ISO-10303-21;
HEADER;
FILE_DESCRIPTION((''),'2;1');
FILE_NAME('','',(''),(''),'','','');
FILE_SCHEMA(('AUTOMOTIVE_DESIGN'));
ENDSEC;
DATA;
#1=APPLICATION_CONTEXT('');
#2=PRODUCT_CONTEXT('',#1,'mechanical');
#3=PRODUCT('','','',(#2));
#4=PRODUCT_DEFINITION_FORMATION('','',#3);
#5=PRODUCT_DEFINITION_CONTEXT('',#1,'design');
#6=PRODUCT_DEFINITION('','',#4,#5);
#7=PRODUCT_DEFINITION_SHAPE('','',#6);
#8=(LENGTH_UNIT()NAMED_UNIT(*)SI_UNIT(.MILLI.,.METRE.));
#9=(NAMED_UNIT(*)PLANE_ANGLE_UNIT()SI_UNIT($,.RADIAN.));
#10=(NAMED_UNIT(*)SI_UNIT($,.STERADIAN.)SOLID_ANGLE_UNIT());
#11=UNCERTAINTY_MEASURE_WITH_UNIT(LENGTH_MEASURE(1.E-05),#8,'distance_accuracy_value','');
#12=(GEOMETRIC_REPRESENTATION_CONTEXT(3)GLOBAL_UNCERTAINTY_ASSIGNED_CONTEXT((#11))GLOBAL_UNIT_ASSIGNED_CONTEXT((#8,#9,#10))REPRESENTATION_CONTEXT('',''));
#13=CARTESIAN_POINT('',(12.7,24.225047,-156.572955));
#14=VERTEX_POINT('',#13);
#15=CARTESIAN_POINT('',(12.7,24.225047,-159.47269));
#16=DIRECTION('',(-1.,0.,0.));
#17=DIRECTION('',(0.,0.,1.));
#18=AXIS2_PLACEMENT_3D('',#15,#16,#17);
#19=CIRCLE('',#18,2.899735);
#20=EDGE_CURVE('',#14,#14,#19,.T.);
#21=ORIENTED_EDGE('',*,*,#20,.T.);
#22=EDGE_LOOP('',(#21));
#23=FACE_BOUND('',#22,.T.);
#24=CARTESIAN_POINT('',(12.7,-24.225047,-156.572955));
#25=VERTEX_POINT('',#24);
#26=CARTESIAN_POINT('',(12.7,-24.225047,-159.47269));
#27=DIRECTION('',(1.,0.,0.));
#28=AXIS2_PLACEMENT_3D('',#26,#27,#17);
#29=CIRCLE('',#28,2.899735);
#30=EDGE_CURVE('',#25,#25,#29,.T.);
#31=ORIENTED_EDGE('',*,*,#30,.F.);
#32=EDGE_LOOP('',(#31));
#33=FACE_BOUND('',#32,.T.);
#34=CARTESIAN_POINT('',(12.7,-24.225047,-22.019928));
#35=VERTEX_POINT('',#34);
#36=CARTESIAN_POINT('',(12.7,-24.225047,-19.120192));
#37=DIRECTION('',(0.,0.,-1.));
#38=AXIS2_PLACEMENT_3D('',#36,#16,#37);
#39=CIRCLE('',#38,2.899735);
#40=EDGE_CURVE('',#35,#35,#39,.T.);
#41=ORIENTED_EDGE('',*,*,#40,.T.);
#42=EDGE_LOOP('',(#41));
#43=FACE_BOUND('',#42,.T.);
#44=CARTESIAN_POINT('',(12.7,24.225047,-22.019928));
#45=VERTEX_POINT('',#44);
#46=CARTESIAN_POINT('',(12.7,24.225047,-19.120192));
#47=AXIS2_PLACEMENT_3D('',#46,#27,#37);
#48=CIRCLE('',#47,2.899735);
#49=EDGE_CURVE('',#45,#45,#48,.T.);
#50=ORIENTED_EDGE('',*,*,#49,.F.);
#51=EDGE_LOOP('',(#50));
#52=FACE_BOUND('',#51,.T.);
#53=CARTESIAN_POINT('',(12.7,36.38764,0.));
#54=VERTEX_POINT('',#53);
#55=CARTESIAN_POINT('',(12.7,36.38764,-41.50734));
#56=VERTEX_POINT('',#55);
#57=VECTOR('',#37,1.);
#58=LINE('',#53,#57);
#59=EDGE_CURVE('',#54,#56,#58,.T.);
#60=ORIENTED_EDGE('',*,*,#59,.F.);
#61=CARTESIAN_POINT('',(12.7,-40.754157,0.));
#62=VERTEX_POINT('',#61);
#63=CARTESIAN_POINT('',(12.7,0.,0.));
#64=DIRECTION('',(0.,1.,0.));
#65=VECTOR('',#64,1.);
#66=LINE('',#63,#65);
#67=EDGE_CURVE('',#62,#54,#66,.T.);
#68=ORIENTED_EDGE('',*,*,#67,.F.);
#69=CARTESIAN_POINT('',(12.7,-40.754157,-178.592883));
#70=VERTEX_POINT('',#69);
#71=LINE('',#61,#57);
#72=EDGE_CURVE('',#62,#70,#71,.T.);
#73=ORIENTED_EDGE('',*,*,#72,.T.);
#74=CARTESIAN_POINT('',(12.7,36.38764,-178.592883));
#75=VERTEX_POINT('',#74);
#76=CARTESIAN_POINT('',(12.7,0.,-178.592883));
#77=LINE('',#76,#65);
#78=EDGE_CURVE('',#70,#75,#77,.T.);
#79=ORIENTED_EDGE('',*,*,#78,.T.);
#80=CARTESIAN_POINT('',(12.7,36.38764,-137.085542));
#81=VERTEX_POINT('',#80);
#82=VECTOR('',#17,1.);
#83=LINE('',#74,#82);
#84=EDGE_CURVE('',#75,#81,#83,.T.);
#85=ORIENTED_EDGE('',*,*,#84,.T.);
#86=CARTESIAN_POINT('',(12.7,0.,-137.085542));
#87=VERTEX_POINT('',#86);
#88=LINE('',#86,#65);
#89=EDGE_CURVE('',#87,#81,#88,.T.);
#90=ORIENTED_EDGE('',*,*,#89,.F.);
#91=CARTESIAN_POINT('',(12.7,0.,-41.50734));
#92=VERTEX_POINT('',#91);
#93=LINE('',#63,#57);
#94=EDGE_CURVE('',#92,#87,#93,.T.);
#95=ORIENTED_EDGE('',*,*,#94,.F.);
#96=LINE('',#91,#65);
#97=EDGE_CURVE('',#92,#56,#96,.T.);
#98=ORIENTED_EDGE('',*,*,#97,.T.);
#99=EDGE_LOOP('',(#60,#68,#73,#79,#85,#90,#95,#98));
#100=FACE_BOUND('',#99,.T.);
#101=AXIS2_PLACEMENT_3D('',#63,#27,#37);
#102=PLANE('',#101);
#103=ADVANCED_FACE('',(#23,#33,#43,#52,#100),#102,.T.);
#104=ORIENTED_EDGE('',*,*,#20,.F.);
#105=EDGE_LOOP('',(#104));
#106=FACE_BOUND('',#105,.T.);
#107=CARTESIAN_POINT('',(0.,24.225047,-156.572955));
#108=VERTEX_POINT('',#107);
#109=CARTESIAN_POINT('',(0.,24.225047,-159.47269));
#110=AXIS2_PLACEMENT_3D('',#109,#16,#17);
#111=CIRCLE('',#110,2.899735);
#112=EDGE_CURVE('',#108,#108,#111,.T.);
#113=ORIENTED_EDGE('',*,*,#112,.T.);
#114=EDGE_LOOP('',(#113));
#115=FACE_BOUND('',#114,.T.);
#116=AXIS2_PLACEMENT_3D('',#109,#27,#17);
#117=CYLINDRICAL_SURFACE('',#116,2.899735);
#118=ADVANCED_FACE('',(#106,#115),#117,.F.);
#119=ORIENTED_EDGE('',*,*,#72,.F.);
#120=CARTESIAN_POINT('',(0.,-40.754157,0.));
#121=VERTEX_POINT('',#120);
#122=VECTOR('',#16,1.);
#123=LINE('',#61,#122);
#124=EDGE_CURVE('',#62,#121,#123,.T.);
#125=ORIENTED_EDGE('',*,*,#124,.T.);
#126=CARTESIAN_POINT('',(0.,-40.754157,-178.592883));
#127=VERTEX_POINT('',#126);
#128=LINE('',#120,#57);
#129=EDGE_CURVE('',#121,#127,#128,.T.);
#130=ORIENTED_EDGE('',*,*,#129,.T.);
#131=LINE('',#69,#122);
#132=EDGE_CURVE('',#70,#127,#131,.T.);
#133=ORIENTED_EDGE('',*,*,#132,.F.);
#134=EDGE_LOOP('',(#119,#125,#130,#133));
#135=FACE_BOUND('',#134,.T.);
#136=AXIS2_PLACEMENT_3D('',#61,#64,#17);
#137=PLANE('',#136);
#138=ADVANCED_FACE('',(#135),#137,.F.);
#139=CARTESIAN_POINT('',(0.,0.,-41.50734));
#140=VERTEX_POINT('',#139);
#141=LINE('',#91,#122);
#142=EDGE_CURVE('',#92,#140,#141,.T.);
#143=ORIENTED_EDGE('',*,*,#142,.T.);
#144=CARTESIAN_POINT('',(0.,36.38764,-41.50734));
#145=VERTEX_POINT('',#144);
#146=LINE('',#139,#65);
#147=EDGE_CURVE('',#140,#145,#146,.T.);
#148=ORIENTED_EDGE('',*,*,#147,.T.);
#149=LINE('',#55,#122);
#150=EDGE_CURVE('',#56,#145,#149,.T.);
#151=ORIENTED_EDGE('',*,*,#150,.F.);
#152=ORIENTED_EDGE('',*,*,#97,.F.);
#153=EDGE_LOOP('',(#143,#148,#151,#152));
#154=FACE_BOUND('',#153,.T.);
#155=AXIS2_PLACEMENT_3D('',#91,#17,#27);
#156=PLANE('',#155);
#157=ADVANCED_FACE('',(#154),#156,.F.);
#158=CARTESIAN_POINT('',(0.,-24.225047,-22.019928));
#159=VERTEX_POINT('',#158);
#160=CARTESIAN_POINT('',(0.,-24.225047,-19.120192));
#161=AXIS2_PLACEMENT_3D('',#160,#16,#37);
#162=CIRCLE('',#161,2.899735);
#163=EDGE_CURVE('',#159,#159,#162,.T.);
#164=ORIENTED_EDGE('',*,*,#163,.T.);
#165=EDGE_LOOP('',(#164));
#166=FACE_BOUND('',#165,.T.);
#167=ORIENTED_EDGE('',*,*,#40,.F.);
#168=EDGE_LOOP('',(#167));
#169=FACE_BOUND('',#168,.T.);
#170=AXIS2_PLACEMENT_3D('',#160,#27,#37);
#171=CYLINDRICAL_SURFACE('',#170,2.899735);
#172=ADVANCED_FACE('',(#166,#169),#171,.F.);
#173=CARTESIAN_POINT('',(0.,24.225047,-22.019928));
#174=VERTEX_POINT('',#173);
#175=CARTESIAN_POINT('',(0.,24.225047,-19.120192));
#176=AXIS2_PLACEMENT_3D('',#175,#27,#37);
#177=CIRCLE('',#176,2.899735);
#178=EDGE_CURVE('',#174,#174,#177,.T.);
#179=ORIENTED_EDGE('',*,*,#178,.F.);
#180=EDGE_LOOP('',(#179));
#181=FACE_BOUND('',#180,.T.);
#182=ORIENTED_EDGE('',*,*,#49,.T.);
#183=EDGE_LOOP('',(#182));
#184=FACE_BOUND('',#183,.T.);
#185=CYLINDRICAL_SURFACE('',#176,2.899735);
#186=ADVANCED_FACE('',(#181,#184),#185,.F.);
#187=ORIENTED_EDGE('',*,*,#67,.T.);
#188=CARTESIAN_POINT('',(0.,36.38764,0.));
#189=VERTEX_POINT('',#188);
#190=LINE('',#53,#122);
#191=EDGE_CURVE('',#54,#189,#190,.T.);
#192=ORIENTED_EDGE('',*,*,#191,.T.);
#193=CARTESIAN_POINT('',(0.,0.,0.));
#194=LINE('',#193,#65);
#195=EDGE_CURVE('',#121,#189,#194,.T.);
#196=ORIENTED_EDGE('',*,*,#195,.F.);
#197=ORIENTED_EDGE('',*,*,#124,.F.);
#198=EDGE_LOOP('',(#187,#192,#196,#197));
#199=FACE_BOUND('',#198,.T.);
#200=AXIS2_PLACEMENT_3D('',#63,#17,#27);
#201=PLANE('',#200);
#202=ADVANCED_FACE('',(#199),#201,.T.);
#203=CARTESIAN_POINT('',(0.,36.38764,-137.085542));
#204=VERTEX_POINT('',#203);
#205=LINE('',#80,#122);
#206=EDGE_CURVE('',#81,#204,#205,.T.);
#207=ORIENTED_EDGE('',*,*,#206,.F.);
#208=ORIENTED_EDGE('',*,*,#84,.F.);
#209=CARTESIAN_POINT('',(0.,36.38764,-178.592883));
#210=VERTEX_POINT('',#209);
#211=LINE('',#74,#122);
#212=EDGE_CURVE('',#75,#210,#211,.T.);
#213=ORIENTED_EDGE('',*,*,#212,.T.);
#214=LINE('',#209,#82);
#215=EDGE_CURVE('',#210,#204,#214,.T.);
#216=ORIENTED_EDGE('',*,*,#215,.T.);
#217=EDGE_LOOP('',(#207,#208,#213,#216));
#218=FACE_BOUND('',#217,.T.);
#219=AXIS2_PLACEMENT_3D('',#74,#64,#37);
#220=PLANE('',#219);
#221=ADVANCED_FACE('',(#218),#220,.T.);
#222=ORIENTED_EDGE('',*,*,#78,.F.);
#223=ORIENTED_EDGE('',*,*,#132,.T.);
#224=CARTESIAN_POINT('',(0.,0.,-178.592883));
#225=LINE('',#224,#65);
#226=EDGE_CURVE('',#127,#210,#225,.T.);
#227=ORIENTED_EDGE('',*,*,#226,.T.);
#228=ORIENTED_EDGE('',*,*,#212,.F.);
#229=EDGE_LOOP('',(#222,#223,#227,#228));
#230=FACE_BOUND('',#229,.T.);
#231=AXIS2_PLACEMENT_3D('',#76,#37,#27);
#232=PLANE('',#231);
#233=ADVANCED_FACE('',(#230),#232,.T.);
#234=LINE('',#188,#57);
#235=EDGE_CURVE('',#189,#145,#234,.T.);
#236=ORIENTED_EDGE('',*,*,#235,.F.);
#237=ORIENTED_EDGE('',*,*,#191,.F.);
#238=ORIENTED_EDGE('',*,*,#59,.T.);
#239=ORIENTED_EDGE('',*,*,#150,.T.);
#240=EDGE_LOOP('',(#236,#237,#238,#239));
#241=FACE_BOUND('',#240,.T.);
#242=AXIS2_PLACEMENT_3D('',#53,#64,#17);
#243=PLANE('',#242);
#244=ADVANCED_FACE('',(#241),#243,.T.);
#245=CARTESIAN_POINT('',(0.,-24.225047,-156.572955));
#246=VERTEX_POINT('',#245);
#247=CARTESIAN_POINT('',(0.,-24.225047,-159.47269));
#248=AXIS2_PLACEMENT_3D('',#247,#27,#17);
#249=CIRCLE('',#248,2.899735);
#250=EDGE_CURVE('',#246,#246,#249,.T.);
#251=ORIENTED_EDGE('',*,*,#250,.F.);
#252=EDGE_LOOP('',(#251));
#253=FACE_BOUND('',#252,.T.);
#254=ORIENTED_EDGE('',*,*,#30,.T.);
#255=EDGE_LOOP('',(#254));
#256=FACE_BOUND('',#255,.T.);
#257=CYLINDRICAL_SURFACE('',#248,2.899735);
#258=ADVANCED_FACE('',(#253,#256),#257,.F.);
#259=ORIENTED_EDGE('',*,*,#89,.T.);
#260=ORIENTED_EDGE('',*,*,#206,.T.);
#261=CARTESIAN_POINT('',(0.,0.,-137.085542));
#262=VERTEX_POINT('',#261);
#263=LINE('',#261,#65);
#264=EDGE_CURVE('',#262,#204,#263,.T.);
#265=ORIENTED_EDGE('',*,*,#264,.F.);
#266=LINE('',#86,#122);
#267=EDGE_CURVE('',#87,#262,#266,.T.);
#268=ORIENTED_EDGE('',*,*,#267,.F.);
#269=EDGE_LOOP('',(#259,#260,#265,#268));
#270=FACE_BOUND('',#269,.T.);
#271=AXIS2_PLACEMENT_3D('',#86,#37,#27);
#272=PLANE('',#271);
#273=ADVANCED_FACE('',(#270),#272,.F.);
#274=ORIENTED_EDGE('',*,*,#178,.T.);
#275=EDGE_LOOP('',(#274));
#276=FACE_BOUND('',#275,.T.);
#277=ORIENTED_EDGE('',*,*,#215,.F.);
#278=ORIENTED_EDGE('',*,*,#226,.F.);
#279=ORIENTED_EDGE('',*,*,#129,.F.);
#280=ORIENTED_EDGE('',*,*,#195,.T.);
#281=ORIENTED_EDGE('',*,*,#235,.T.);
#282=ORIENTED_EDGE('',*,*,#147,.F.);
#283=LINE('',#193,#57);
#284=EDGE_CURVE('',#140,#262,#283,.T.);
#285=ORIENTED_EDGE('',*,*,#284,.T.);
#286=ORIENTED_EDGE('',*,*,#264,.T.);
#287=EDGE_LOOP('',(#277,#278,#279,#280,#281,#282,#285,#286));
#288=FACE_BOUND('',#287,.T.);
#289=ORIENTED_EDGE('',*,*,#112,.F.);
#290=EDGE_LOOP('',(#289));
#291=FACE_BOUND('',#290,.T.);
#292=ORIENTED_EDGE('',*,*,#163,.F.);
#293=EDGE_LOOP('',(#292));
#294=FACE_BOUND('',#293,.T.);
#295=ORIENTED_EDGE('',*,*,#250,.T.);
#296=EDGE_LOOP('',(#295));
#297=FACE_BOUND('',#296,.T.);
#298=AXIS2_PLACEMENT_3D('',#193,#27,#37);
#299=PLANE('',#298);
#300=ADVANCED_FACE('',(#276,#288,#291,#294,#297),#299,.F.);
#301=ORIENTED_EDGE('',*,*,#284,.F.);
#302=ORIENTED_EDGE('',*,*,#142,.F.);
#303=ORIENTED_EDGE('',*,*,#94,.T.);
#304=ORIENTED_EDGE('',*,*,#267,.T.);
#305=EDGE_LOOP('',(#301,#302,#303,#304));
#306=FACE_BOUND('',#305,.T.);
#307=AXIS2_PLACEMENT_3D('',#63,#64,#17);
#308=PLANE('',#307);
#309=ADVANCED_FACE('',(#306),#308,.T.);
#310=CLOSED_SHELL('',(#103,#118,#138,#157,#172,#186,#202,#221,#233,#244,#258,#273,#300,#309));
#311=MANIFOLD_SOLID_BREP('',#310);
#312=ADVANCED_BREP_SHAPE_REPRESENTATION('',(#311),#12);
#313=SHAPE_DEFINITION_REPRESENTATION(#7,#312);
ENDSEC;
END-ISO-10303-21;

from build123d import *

# Parameters (mm, degrees)
SKETCH1_W           = 41.507340187
SKETCH1_H           = 36.387640449
BOSS_EXTRUDE1_DEPTH = 12.7
SKETCH2_R           = 2.899735459
CUT_EXTRUDE1_DEPTH  = 99.974975464


with BuildPart() as part:
    # Sketch1 → Boss-Extrude1 (new body)
    with BuildSketch(Plane(origin=(0, 0, 0), x_dir=(0, 0, -1), z_dir=(1, 0, 0))):
        with Locations((20.753670094, 18.193820225)):
            Rectangle(SKETCH1_W, SKETCH1_H)
        Polygon((41.507340187, 0), (0, 0), (0, -40.754157303), (89.29644131, -40.754157303), (89.29644131, 0), align=None)
    extrude(amount=BOSS_EXTRUDE1_DEPTH)

    # Sketch2 → Cut-Extrude1 (cut, through all)
    with BuildSketch(Plane(origin=(12.7, 0, 0), x_dir=(0, 0, -1), z_dir=(1, 0, 0))):
        with Locations((19.12019242, 24.225046644)):
            Circle(SKETCH2_R)
    cut_extrude1 = extrude(amount=-CUT_EXTRUDE1_DEPTH, mode=Mode.SUBTRACT)

    # Mirror1: Cut-Extrude1 across plane
    add(cut_extrude1.mirror(Plane.ZX), mode=Mode.SUBTRACT)

    # Mirror2: part across plane


with BuildPart() as part_1:
    add(part.part)
    add(part.part.mirror(Plane(origin=(12.7, 0, -89.29644131), x_dir=(1, 0, 0), z_dir=(0, 0, -1))))


solid = part_1.part
